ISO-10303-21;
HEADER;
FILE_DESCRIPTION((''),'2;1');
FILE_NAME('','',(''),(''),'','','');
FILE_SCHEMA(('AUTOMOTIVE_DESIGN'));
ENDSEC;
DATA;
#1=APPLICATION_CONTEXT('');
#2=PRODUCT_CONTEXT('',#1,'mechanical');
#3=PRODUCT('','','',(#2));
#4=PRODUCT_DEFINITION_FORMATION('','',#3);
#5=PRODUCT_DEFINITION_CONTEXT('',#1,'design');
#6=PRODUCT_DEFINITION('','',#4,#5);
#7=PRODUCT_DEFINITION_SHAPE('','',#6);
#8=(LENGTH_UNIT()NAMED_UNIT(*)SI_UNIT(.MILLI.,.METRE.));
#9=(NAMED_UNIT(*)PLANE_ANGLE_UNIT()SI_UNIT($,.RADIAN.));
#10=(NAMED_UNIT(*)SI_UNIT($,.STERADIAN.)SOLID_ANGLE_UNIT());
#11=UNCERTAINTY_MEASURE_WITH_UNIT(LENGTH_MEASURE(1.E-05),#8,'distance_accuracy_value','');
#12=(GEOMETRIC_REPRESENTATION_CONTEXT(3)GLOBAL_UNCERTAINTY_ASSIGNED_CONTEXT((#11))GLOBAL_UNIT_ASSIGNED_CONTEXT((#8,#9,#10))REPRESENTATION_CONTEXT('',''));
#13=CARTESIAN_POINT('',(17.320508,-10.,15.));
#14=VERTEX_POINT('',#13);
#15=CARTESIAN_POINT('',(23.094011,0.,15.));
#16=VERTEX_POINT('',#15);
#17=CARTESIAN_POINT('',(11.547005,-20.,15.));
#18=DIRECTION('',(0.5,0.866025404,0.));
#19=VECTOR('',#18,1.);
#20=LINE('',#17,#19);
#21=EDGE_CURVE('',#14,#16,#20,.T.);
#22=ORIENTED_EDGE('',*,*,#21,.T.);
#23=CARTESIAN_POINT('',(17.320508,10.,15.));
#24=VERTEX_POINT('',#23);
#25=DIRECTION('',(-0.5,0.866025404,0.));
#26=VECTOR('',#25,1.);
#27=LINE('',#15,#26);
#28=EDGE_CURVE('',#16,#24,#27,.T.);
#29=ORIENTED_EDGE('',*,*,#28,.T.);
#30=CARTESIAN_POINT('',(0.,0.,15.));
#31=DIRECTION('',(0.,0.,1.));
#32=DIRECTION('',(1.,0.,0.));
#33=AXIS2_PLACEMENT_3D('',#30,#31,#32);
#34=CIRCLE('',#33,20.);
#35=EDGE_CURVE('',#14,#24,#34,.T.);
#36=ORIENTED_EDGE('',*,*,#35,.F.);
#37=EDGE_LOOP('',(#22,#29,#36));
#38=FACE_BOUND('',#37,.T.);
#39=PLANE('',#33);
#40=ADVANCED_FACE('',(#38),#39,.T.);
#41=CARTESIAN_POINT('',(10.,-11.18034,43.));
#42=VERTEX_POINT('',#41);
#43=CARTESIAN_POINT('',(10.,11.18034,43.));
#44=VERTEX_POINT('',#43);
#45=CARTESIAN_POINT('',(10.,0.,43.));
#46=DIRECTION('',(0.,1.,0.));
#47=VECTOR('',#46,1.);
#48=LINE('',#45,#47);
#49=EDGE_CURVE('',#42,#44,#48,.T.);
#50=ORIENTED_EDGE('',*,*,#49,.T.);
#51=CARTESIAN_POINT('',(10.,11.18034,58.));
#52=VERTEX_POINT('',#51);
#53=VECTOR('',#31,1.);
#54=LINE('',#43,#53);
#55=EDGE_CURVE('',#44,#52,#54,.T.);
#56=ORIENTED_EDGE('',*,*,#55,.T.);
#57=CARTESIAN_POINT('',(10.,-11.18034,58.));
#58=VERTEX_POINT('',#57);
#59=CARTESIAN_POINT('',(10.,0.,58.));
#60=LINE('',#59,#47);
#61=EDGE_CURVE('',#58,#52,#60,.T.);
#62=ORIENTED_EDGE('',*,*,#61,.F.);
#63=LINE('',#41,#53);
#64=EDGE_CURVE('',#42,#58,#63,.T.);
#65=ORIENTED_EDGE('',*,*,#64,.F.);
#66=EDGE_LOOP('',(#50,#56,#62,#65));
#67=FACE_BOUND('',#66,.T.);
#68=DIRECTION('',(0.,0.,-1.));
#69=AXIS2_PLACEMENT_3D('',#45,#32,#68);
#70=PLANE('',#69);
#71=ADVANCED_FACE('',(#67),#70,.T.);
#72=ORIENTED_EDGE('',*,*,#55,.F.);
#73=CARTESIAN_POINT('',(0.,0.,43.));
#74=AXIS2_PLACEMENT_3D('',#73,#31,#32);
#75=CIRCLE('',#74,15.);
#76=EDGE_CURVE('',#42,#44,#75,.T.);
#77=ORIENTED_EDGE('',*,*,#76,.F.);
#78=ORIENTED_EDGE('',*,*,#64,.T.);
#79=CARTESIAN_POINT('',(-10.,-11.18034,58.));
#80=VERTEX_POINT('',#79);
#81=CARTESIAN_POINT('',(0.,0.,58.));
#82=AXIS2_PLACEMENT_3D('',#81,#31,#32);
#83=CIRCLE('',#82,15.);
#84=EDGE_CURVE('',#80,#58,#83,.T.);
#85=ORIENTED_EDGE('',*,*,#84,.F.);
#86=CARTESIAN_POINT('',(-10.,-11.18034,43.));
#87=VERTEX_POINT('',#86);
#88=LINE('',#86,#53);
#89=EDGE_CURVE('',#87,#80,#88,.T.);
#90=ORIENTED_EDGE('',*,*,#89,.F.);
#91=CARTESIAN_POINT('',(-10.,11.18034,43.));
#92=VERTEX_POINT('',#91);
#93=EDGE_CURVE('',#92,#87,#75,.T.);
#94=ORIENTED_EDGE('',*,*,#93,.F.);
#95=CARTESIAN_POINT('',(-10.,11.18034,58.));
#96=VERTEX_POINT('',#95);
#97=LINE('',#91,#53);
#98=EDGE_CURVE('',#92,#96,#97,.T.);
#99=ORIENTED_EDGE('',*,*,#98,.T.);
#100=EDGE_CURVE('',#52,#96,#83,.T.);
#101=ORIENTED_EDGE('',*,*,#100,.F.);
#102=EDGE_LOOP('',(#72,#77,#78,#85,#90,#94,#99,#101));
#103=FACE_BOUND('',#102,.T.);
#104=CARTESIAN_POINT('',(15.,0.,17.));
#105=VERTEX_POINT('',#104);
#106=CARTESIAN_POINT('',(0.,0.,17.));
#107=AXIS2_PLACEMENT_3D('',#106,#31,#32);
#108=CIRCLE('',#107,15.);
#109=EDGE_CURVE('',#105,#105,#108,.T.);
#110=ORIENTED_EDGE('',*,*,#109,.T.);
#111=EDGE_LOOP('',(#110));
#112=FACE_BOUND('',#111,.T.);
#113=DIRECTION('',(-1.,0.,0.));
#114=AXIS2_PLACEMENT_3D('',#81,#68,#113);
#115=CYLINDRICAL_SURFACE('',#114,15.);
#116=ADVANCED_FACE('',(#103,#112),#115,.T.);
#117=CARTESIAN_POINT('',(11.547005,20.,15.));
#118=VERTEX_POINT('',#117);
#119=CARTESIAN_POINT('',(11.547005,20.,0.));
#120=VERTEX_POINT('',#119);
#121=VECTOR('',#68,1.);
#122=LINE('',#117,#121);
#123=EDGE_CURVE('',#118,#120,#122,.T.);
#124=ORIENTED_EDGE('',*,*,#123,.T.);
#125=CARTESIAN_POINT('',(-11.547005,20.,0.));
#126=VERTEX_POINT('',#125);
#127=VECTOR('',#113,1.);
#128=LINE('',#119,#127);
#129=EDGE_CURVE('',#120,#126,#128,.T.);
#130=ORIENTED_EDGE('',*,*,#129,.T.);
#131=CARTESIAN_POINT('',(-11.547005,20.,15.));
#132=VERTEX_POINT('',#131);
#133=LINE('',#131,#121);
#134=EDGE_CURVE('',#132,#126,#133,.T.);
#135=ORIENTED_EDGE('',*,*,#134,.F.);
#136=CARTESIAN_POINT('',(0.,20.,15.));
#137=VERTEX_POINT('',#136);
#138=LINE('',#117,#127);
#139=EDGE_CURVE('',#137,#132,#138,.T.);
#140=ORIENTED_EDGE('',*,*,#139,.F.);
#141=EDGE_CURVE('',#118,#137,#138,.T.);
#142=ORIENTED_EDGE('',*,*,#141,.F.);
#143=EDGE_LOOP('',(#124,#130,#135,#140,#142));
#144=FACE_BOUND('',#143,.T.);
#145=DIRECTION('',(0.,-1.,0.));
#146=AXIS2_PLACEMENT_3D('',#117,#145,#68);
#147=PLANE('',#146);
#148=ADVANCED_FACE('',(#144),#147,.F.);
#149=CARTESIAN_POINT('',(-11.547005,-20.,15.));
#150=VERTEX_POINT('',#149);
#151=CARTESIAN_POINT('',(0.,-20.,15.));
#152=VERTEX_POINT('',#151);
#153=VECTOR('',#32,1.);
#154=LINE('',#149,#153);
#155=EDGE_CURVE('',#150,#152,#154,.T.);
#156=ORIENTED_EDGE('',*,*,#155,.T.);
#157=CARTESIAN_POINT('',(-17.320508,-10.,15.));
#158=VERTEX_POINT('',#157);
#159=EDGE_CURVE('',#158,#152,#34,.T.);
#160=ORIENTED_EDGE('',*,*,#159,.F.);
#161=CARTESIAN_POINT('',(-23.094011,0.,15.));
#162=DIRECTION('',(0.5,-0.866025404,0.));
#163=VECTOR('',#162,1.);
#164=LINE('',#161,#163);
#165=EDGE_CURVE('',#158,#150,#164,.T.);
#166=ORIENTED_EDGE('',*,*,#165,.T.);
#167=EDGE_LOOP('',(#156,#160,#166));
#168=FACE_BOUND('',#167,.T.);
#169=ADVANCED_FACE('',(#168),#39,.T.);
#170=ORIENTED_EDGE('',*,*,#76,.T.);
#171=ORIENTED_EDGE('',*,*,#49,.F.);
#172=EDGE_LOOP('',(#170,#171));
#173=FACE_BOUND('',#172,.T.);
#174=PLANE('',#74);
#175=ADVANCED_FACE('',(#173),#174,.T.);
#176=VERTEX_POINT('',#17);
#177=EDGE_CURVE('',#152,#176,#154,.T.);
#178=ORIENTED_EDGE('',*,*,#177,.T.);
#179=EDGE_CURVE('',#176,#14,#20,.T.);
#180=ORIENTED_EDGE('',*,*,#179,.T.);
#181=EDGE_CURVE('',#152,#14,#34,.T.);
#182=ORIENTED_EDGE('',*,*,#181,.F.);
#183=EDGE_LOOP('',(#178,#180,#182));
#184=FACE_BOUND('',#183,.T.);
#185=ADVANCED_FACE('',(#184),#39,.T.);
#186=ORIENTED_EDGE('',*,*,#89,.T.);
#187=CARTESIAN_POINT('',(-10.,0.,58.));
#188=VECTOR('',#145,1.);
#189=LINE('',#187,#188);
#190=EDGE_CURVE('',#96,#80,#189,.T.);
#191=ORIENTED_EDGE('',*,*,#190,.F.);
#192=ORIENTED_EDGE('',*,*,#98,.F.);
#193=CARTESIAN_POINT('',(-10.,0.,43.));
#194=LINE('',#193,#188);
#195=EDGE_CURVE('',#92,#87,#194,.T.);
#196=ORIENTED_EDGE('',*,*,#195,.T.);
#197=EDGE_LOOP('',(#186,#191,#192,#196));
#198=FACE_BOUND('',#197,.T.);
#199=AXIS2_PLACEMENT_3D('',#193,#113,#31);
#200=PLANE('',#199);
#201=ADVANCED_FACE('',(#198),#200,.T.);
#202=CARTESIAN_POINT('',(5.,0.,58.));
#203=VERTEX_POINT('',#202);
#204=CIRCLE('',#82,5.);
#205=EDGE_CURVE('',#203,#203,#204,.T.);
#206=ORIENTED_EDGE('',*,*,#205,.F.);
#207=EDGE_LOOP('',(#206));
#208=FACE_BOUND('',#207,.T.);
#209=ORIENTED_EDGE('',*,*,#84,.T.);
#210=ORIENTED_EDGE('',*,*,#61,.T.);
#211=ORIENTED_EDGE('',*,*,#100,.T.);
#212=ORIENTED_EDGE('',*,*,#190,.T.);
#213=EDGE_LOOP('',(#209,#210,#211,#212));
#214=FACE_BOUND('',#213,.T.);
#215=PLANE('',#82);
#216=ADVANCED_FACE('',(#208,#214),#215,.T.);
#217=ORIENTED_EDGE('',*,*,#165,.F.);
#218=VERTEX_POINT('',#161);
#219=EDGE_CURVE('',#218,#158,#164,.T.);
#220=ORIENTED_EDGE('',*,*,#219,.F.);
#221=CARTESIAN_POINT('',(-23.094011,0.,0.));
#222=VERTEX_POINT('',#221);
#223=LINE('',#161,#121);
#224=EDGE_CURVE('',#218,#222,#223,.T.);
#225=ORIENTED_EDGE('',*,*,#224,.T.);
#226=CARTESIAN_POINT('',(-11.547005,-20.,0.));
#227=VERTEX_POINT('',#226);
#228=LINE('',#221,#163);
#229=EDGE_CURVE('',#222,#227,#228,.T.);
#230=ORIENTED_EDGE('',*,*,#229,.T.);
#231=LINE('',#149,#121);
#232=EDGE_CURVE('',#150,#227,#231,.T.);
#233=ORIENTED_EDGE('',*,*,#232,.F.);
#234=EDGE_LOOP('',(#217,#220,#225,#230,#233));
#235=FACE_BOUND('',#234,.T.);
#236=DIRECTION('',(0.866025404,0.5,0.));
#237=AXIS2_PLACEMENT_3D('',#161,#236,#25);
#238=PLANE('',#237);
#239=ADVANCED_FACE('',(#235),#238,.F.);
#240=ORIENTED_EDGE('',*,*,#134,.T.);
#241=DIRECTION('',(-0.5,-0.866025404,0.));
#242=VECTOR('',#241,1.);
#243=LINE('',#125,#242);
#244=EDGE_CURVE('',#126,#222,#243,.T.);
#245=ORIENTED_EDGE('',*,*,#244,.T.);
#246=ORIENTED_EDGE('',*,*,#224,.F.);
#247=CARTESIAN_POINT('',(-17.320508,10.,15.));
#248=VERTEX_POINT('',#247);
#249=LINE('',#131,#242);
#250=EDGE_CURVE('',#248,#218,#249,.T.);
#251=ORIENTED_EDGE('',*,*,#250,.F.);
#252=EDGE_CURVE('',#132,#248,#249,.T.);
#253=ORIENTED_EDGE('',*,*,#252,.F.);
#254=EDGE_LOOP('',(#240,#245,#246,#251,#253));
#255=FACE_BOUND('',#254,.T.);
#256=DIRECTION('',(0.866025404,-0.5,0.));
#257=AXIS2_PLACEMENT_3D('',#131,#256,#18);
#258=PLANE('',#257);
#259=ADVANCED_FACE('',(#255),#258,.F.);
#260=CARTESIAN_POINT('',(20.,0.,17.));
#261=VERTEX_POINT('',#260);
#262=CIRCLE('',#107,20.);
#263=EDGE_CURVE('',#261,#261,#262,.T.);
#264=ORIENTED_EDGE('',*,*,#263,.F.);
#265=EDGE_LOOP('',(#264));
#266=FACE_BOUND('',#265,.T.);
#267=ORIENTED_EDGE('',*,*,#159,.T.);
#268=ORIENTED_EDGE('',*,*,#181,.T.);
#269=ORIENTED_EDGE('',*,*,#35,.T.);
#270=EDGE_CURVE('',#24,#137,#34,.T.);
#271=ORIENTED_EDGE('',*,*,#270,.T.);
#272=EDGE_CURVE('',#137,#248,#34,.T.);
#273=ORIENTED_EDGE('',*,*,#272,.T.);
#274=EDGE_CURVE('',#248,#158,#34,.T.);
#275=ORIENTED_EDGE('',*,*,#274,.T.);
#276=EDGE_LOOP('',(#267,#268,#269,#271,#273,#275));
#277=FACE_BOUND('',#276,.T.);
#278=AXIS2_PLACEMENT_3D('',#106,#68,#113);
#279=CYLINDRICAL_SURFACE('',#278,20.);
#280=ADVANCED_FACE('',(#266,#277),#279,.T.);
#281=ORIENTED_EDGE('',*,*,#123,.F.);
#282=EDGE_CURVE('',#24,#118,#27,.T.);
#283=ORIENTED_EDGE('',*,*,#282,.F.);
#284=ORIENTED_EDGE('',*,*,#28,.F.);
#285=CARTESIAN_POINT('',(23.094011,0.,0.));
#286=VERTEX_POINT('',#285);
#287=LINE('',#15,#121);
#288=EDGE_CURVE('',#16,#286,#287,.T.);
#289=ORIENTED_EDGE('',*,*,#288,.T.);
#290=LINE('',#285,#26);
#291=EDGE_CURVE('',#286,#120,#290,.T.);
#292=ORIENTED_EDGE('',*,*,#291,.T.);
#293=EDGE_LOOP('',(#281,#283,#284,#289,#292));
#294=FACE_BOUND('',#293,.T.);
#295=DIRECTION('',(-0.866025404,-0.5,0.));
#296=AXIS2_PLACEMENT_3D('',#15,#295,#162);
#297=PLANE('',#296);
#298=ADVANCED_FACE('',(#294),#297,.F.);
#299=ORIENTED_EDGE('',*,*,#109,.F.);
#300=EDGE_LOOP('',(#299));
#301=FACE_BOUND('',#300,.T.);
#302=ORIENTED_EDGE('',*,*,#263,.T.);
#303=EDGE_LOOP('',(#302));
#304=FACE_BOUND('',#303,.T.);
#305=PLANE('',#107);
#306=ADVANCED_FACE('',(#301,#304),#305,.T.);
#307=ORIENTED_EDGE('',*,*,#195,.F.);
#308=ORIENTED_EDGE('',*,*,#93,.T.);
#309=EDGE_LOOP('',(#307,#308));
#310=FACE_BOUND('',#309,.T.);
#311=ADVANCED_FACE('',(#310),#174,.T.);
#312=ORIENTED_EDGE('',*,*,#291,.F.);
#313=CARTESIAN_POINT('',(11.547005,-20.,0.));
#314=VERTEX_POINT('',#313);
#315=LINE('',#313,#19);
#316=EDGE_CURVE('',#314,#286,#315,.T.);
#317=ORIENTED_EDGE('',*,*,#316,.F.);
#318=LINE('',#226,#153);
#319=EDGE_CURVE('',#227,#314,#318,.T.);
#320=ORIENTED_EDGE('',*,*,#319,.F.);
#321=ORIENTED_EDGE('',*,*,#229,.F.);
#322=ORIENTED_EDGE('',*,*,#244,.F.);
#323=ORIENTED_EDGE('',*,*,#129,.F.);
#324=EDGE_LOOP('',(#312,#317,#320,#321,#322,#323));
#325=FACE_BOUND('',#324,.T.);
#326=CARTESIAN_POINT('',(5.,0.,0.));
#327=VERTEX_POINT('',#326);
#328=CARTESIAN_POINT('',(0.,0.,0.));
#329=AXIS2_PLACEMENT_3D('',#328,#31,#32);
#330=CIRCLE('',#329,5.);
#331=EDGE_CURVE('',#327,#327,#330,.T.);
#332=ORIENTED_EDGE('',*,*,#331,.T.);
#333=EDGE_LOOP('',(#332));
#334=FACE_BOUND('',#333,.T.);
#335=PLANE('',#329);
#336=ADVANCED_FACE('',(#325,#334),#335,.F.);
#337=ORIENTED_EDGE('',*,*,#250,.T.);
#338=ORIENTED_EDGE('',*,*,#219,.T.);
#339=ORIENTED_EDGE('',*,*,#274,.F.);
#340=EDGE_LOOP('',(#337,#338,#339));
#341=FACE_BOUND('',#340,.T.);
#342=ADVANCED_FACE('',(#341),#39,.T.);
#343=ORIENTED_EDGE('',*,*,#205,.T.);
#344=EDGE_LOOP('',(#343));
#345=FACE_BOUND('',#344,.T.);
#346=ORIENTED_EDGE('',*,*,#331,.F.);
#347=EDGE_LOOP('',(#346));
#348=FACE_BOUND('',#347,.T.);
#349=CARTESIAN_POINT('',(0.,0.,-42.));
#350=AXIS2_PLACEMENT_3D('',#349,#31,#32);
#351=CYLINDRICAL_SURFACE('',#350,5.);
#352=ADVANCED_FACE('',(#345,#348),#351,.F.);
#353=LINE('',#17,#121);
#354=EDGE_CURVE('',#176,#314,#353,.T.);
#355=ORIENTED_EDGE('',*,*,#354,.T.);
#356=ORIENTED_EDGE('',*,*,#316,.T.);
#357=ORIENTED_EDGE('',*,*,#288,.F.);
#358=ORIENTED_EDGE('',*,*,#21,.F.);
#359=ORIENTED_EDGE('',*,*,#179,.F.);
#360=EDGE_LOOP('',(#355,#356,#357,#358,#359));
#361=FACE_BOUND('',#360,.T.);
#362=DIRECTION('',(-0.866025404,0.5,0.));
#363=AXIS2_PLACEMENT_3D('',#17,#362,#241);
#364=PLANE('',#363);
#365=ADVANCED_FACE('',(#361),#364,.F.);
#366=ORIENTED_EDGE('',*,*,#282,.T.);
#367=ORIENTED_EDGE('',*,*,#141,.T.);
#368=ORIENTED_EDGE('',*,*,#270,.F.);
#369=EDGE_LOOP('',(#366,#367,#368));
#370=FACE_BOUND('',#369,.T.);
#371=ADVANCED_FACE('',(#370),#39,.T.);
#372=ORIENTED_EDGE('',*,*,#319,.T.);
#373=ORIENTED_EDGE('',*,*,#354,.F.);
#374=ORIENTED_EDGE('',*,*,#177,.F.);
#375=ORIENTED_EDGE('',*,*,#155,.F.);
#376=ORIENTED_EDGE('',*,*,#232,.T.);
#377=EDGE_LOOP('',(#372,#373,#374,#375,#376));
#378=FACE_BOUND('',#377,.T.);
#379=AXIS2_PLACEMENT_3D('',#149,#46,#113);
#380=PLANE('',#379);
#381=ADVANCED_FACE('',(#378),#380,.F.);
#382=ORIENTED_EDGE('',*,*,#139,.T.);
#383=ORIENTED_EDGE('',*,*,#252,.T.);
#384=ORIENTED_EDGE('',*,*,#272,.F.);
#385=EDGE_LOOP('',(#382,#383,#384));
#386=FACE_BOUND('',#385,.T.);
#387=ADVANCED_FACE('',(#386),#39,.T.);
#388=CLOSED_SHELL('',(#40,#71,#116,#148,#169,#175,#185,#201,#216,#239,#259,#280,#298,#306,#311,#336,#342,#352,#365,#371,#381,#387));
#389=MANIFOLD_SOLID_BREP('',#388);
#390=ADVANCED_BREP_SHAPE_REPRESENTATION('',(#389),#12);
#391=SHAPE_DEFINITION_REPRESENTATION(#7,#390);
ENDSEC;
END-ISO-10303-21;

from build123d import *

# Parameters (mm, degrees)
BOSS_EXTRUDE5_DEPTH = 15
SKETCH4_R           = 20
BOSS_EXTRUDE6_DEPTH = 2
SKETCH5_R           = 15
BOSS_EXTRUDE7_DEPTH = 41
SKETCH6_R           = 5
CUT_EXTRUDE2_DEPTH  = 100
CUT_EXTRUDE3_START  = -15
CUT_EXTRUDE3_DEPTH  = 15


with BuildPart() as part:
    # Sketch1 → Boss-Extrude5 (new body)
    with BuildSketch(Plane.XY):
        Polygon((23.094010768, 0), (11.547005384, 20), (-11.547005384, 20), (-23.094010768, 0), (-11.547005384, -20), (11.547005384, -20), align=None)
    extrude(amount=BOSS_EXTRUDE5_DEPTH)

    # Sketch4 → Boss-Extrude6 (add)
    with BuildSketch(Plane.XY.offset(15)):
        with Locations(Location((0, 0, 0), (0, 0, 150))):
            Circle(SKETCH4_R)
    extrude(amount=BOSS_EXTRUDE6_DEPTH)

    # Sketch5 → Boss-Extrude7 (add)
    with BuildSketch(Plane.XY.offset(17)):
        Circle(SKETCH5_R)
    extrude(amount=BOSS_EXTRUDE7_DEPTH)

    # Sketch6 → Cut-Extrude2 (cut)
    with BuildSketch(Plane.XY.offset(58)):
        Circle(SKETCH6_R)
    extrude(amount=-CUT_EXTRUDE2_DEPTH, mode=Mode.SUBTRACT)

    # Sketch9 → Cut-Extrude3 (cut)
    with BuildSketch(Plane.XY.offset(58).offset(CUT_EXTRUDE3_START)):
        with BuildLine():
            Line((-10, -11.180339887), (-10, 0))
            Line((-10, 0), (-10, 11.180339887))
            ThreePointArc((-10, 11.180339887), (-15, 0), (-10, -11.180339887))
        make_face()
        with BuildLine():
            Line((10, 11.180339887), (10, 0))
            Line((10, 0), (10, -11.180339887))
            ThreePointArc((10, -11.180339887), (13.693063938, -6.123724357), (15, 0))
            ThreePointArc((15, 0), (13.693063938, 6.123724357), (10, 11.180339887))
        make_face()
    extrude(amount=CUT_EXTRUDE3_DEPTH, mode=Mode.SUBTRACT)


solid = part.part
